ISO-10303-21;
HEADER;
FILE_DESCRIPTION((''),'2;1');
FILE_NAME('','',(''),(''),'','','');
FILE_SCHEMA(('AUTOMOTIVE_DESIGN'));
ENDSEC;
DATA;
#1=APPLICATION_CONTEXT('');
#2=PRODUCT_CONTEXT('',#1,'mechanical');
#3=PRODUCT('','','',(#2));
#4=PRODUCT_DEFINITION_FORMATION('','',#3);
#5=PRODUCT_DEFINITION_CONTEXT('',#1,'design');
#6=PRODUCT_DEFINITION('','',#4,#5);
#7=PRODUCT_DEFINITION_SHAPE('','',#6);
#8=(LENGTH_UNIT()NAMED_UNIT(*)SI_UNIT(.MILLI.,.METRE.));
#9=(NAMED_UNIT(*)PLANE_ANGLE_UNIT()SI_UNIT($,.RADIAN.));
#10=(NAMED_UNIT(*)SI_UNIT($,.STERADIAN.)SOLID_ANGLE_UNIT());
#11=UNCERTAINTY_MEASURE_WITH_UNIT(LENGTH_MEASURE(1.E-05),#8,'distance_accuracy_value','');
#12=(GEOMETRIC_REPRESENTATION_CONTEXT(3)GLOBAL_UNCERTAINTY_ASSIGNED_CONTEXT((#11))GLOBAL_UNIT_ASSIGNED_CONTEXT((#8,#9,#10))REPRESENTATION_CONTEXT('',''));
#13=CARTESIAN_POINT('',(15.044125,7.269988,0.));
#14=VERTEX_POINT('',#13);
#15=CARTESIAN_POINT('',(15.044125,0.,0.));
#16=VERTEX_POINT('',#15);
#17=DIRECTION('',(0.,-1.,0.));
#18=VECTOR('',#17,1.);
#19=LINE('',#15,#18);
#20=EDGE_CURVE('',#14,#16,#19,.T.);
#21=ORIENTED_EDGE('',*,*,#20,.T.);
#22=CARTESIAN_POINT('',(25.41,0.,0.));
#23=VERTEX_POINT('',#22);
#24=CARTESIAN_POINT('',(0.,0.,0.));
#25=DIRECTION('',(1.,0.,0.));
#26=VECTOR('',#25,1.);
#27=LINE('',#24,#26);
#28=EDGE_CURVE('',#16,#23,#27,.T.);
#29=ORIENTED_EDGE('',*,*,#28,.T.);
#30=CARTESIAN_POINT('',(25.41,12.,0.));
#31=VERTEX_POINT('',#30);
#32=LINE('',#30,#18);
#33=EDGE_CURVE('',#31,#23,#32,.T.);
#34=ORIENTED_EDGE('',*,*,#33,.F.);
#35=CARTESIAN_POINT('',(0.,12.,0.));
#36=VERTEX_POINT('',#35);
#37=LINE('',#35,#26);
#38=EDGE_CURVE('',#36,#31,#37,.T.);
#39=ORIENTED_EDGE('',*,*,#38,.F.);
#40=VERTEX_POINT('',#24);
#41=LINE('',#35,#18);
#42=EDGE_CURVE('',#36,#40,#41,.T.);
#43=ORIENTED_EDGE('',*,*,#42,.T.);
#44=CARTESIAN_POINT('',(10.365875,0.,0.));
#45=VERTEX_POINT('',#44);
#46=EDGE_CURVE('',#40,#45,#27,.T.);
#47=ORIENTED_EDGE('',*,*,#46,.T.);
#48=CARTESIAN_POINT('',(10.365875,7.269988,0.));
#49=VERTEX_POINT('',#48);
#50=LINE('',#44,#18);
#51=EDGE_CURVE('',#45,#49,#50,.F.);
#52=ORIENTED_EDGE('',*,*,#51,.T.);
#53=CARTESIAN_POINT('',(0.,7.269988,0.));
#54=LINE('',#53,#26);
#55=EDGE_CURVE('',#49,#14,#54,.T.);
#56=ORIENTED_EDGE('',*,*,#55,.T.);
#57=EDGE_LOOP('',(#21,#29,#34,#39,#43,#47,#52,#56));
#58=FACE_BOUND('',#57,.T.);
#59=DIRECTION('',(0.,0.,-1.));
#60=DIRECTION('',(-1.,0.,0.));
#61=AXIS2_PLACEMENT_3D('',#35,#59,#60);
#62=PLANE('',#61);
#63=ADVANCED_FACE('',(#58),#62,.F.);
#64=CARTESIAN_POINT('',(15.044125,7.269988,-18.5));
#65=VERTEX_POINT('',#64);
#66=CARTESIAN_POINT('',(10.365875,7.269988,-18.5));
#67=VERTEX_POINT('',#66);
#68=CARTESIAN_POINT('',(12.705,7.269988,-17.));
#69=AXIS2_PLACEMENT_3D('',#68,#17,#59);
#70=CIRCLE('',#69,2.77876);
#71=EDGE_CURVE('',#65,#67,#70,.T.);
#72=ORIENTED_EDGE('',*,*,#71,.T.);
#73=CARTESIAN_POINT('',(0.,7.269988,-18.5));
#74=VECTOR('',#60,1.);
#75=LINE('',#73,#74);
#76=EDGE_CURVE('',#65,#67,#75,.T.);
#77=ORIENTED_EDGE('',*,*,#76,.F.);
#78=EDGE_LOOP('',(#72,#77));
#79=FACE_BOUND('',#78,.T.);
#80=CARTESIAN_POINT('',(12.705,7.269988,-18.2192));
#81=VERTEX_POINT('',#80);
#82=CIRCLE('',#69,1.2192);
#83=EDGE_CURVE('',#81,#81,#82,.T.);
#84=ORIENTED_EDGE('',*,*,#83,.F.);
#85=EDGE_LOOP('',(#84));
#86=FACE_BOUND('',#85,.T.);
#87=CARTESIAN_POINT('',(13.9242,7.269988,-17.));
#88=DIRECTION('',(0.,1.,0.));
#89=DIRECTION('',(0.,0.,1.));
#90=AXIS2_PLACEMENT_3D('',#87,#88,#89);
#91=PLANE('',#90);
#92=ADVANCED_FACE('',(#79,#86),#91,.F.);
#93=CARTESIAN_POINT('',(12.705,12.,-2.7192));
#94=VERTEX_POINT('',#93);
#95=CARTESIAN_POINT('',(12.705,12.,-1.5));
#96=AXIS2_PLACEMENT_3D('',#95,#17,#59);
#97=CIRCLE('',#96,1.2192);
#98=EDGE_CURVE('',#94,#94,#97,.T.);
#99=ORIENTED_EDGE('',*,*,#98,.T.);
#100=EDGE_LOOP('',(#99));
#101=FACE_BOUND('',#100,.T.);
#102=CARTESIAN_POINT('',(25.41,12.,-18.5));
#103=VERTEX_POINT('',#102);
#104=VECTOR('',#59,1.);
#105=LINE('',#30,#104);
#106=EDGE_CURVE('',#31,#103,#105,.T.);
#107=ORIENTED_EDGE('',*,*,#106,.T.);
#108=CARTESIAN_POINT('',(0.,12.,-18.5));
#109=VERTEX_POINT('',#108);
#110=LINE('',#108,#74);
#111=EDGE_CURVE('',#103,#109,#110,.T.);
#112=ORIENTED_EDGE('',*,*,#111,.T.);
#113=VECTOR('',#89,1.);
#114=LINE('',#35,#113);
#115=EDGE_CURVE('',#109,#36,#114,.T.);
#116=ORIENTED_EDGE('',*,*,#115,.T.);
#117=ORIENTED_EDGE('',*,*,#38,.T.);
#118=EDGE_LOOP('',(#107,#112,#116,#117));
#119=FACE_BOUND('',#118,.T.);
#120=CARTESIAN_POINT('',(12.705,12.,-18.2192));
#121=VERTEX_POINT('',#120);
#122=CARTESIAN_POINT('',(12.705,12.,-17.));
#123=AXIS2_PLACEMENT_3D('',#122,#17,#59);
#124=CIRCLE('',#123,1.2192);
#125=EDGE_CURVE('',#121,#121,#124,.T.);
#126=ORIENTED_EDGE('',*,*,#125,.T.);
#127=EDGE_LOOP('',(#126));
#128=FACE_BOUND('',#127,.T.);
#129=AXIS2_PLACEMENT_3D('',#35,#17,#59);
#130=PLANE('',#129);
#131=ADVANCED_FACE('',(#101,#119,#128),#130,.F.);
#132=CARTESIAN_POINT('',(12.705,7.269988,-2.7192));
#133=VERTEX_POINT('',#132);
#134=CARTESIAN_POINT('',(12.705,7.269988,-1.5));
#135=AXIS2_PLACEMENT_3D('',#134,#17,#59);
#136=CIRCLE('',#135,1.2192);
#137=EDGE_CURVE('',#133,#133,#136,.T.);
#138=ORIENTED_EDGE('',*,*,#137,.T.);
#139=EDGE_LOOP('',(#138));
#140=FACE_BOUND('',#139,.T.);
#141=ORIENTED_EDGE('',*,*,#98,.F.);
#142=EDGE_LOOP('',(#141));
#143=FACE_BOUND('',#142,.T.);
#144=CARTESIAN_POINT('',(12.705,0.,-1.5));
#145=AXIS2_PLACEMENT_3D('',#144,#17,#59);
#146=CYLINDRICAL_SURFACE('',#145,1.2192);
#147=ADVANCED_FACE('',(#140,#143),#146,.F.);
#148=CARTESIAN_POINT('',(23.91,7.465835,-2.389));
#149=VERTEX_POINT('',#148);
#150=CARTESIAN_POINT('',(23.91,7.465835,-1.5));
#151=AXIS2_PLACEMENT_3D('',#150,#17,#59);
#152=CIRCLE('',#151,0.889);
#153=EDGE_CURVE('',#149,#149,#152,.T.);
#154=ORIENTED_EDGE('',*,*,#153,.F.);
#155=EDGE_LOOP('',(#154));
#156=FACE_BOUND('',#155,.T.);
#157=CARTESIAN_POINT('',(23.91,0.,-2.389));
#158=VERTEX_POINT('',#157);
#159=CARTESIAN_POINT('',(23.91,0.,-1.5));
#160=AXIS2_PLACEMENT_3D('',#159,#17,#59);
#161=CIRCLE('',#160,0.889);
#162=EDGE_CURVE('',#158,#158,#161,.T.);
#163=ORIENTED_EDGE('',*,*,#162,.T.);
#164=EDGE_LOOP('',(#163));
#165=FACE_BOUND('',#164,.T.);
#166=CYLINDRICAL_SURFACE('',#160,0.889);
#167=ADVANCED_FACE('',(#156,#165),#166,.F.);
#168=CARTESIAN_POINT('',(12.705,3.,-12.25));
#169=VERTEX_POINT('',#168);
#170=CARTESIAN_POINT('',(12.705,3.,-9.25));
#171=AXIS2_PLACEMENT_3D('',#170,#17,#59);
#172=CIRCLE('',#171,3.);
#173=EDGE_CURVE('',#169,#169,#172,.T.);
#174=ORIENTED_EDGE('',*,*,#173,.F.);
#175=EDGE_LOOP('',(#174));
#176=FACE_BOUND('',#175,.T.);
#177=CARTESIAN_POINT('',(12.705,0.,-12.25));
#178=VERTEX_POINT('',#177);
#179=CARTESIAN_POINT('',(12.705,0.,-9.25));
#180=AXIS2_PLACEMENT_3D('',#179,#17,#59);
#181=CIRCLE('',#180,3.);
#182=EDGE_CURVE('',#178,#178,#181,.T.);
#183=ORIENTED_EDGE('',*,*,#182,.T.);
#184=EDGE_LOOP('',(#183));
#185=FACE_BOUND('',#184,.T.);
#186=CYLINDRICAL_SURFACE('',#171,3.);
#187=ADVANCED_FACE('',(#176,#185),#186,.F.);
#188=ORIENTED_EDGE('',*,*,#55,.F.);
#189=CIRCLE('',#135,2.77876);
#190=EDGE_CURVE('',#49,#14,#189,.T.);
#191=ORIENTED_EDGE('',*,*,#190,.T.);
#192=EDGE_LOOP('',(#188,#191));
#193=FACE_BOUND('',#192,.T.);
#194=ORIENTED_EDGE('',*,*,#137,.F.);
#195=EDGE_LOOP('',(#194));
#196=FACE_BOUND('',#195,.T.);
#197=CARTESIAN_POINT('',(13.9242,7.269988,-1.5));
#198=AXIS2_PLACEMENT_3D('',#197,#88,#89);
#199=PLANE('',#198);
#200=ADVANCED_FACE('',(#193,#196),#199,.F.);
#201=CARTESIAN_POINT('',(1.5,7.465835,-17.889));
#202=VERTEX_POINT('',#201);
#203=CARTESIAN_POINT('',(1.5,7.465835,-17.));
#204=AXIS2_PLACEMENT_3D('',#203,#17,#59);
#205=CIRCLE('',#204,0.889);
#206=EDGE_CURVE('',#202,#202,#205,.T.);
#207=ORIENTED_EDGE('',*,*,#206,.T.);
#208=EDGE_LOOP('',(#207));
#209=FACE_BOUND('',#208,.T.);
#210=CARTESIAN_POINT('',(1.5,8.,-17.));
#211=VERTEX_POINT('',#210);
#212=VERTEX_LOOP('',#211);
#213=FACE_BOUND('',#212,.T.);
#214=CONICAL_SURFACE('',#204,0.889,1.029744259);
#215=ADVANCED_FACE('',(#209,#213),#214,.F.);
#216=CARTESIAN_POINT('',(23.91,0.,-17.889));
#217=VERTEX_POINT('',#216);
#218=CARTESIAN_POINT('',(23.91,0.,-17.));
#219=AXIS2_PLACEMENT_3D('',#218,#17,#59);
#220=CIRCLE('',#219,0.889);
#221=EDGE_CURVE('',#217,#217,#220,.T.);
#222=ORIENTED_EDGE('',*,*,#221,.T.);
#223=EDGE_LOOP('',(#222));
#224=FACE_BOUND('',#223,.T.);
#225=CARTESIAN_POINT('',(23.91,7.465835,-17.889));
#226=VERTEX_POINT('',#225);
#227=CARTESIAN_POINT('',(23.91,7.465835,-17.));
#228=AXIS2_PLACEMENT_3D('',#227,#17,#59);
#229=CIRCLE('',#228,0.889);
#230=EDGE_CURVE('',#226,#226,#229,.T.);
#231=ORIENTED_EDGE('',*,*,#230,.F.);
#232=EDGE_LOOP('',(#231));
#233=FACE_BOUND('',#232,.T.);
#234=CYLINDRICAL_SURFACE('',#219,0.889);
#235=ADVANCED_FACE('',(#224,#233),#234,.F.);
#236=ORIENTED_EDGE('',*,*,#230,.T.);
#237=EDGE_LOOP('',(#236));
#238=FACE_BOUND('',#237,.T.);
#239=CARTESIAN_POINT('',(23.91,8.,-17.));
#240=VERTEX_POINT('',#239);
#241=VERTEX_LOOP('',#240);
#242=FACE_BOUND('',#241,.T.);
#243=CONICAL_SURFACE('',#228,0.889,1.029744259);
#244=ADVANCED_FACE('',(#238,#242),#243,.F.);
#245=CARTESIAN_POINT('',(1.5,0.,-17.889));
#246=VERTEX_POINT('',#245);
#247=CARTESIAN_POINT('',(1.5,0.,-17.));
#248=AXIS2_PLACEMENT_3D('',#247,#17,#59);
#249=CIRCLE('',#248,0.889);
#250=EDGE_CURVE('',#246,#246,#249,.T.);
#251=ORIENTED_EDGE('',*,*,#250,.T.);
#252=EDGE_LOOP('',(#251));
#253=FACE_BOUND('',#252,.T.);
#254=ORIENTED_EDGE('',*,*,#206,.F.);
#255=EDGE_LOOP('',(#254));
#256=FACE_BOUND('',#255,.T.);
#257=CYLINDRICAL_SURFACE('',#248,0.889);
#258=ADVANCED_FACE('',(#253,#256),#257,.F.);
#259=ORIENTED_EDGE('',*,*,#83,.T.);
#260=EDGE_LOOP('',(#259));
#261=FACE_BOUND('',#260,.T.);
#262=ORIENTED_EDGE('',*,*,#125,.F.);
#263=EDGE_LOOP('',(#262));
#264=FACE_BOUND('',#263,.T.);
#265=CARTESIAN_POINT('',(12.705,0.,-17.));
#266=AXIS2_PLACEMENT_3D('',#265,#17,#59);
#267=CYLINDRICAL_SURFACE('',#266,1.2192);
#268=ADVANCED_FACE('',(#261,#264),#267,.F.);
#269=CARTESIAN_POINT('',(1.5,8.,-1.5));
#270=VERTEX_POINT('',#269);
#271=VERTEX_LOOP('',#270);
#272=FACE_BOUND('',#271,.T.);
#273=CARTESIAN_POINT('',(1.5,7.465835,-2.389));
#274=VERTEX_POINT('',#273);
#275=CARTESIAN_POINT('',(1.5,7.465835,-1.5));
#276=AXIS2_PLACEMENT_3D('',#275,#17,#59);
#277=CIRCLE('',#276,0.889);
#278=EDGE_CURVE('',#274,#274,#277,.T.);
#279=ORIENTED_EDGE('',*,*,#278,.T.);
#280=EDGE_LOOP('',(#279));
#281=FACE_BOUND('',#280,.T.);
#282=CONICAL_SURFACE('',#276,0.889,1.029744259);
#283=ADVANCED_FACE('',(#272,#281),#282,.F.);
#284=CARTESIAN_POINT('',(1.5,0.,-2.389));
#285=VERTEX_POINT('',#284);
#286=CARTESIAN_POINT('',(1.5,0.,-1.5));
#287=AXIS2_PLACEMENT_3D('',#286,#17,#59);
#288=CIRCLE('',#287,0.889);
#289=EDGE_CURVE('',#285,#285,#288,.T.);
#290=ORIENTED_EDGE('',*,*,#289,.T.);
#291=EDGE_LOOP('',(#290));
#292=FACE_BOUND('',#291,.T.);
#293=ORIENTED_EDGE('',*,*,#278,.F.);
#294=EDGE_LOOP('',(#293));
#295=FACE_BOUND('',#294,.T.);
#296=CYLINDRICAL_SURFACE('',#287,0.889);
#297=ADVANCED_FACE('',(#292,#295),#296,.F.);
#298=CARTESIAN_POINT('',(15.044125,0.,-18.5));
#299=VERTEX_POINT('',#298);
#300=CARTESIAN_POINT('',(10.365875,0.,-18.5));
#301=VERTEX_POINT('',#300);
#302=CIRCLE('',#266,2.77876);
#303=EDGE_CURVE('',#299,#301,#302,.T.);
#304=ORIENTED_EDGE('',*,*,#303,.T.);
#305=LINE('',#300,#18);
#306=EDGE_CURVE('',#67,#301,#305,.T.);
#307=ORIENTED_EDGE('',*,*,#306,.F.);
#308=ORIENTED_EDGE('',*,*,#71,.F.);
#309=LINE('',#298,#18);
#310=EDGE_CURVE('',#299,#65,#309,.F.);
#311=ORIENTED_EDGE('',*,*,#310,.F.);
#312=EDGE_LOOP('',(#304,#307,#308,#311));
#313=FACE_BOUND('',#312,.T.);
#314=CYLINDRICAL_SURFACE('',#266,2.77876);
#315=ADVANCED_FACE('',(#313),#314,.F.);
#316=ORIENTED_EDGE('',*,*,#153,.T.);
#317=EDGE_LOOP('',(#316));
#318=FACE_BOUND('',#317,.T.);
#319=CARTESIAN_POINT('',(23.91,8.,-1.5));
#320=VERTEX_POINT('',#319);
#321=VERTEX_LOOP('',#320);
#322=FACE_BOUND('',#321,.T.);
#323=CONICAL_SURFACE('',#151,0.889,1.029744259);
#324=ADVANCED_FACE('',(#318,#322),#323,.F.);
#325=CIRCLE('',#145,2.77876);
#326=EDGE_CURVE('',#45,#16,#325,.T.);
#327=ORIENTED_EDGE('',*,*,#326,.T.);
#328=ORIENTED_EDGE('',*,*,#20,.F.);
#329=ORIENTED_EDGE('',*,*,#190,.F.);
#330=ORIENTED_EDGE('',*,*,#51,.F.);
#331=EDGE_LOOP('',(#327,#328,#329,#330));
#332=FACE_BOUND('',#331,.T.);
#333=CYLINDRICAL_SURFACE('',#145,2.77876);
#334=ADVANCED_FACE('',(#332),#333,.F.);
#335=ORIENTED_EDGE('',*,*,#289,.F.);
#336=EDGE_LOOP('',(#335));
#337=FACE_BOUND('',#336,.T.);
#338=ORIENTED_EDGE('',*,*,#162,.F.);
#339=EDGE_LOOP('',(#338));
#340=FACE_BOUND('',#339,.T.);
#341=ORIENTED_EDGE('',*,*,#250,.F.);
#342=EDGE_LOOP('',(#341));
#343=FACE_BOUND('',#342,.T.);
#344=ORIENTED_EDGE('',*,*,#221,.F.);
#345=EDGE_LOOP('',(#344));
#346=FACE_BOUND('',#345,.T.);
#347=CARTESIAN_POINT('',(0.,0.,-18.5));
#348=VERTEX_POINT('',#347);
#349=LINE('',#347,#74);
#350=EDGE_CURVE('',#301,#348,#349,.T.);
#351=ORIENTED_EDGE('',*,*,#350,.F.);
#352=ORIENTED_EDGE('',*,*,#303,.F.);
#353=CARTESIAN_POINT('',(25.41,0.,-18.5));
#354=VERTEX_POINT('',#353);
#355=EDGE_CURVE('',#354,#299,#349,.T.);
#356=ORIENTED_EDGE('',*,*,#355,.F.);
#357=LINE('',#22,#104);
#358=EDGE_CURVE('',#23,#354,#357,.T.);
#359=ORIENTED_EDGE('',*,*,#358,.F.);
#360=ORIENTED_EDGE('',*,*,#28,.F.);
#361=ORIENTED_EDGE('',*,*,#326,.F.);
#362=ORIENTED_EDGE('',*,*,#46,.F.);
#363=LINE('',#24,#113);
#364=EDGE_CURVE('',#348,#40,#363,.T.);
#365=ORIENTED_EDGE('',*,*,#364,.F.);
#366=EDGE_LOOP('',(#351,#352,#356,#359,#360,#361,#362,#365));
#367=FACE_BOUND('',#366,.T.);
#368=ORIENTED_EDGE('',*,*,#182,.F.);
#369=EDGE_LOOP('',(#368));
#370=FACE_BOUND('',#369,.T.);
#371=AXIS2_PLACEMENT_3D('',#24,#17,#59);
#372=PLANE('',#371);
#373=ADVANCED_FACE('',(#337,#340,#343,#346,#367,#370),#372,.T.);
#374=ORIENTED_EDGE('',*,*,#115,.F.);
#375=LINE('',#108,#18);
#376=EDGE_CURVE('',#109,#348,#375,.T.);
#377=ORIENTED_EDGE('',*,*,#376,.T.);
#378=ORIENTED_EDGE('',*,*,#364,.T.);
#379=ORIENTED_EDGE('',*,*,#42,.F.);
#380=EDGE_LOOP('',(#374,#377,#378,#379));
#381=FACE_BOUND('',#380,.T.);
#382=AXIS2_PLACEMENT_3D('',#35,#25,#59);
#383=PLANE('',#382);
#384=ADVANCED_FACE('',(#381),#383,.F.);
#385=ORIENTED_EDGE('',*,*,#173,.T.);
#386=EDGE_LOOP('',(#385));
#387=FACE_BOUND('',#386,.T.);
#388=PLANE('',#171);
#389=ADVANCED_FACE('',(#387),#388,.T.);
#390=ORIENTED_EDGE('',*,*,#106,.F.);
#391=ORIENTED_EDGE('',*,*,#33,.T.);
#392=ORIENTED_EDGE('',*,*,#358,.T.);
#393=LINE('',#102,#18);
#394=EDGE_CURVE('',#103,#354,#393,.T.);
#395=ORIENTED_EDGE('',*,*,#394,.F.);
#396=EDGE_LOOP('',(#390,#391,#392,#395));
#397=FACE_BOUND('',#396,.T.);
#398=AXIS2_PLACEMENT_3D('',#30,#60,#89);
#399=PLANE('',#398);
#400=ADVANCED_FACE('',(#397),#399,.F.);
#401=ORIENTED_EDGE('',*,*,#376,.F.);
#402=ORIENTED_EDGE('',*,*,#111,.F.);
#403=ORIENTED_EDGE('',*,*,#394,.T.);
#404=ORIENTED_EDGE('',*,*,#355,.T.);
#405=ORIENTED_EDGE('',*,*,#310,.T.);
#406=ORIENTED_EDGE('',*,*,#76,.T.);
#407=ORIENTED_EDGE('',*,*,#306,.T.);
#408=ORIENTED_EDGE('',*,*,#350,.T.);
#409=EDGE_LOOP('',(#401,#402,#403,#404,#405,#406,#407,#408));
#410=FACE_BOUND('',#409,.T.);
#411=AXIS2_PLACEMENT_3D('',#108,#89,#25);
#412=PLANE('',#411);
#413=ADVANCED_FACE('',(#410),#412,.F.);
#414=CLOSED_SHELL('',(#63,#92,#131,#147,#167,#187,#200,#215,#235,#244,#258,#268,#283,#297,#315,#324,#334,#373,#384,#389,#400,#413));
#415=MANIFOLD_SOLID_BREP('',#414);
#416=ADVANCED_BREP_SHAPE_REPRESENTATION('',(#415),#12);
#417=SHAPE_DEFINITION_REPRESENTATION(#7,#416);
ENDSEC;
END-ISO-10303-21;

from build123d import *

# Parameters (mm, degrees)
SKETCH1_W                                           = 25.41
SKETCH1_H                                           = 18.5
BOSS_EXTRUDE1_DEPTH                                 = 12
F_2_56_TAPPED_HOLE1_D                               = 1.778
F_2_56_TAPPED_HOLE1_DEPTH                           = 7.46583491
F_2_56_TAPPED_HOLE1_TIP                             = 0.53416509
SKETCH5_R                                           = 3
CUT_EXTRUDE1_DEPTH                                  = 3
CBORE_FOR_2_BINDING_HEAD_MACHINE_SCREW3_D           = 2.4384
CBORE_FOR_2_BINDING_HEAD_MACHINE_SCREW3_CBORE_D     = 5.55752
CBORE_FOR_2_BINDING_HEAD_MACHINE_SCREW3_CBORE_DEPTH = 7.269988


with BuildPart() as part:
    # Sketch1 → Boss-Extrude1 (new body)
    with BuildSketch(Plane(origin=(0, 0, 0), x_dir=(1, 0, 0), z_dir=(0, 1, 0))):
        with Locations((12.705, 9.25)):
            Rectangle(SKETCH1_W, SKETCH1_H)
    extrude(amount=BOSS_EXTRUDE1_DEPTH)

    # #2-56 Tapped Hole1
    with Locations(Plane(origin=(0, 0, 0), x_dir=(-1, 0, 0), z_dir=(0, -1, 0))):
        with Locations((-23.91, 17), (-23.91, 1.5), (-1.5, 1.5), (-1.5, 17)):
            Hole(F_2_56_TAPPED_HOLE1_D / 2, depth=F_2_56_TAPPED_HOLE1_DEPTH)
            with Locations((0, 0, -(F_2_56_TAPPED_HOLE1_DEPTH + F_2_56_TAPPED_HOLE1_TIP / 2))):  # 118° drill point
                Cone(0, F_2_56_TAPPED_HOLE1_D / 2, F_2_56_TAPPED_HOLE1_TIP, mode=Mode.SUBTRACT)

    # Sketch5 → Cut-Extrude1 (cut)
    with BuildSketch(Plane.XZ):
        with Locations((12.705, -9.25)):
            Circle(SKETCH5_R)
    extrude(amount=-CUT_EXTRUDE1_DEPTH, mode=Mode.SUBTRACT)

    # CBORE for #2 Binding Head Machine Screw3 (through all)
    with Locations(Plane(origin=(0, 0, 0), x_dir=(-1, 0, 0), z_dir=(0, -1, 0))):
        with Locations((-12.705, 17), (-12.705, 1.5)):
            CounterBoreHole(CBORE_FOR_2_BINDING_HEAD_MACHINE_SCREW3_D / 2, CBORE_FOR_2_BINDING_HEAD_MACHINE_SCREW3_CBORE_D / 2, CBORE_FOR_2_BINDING_HEAD_MACHINE_SCREW3_CBORE_DEPTH)


solid = part.part
